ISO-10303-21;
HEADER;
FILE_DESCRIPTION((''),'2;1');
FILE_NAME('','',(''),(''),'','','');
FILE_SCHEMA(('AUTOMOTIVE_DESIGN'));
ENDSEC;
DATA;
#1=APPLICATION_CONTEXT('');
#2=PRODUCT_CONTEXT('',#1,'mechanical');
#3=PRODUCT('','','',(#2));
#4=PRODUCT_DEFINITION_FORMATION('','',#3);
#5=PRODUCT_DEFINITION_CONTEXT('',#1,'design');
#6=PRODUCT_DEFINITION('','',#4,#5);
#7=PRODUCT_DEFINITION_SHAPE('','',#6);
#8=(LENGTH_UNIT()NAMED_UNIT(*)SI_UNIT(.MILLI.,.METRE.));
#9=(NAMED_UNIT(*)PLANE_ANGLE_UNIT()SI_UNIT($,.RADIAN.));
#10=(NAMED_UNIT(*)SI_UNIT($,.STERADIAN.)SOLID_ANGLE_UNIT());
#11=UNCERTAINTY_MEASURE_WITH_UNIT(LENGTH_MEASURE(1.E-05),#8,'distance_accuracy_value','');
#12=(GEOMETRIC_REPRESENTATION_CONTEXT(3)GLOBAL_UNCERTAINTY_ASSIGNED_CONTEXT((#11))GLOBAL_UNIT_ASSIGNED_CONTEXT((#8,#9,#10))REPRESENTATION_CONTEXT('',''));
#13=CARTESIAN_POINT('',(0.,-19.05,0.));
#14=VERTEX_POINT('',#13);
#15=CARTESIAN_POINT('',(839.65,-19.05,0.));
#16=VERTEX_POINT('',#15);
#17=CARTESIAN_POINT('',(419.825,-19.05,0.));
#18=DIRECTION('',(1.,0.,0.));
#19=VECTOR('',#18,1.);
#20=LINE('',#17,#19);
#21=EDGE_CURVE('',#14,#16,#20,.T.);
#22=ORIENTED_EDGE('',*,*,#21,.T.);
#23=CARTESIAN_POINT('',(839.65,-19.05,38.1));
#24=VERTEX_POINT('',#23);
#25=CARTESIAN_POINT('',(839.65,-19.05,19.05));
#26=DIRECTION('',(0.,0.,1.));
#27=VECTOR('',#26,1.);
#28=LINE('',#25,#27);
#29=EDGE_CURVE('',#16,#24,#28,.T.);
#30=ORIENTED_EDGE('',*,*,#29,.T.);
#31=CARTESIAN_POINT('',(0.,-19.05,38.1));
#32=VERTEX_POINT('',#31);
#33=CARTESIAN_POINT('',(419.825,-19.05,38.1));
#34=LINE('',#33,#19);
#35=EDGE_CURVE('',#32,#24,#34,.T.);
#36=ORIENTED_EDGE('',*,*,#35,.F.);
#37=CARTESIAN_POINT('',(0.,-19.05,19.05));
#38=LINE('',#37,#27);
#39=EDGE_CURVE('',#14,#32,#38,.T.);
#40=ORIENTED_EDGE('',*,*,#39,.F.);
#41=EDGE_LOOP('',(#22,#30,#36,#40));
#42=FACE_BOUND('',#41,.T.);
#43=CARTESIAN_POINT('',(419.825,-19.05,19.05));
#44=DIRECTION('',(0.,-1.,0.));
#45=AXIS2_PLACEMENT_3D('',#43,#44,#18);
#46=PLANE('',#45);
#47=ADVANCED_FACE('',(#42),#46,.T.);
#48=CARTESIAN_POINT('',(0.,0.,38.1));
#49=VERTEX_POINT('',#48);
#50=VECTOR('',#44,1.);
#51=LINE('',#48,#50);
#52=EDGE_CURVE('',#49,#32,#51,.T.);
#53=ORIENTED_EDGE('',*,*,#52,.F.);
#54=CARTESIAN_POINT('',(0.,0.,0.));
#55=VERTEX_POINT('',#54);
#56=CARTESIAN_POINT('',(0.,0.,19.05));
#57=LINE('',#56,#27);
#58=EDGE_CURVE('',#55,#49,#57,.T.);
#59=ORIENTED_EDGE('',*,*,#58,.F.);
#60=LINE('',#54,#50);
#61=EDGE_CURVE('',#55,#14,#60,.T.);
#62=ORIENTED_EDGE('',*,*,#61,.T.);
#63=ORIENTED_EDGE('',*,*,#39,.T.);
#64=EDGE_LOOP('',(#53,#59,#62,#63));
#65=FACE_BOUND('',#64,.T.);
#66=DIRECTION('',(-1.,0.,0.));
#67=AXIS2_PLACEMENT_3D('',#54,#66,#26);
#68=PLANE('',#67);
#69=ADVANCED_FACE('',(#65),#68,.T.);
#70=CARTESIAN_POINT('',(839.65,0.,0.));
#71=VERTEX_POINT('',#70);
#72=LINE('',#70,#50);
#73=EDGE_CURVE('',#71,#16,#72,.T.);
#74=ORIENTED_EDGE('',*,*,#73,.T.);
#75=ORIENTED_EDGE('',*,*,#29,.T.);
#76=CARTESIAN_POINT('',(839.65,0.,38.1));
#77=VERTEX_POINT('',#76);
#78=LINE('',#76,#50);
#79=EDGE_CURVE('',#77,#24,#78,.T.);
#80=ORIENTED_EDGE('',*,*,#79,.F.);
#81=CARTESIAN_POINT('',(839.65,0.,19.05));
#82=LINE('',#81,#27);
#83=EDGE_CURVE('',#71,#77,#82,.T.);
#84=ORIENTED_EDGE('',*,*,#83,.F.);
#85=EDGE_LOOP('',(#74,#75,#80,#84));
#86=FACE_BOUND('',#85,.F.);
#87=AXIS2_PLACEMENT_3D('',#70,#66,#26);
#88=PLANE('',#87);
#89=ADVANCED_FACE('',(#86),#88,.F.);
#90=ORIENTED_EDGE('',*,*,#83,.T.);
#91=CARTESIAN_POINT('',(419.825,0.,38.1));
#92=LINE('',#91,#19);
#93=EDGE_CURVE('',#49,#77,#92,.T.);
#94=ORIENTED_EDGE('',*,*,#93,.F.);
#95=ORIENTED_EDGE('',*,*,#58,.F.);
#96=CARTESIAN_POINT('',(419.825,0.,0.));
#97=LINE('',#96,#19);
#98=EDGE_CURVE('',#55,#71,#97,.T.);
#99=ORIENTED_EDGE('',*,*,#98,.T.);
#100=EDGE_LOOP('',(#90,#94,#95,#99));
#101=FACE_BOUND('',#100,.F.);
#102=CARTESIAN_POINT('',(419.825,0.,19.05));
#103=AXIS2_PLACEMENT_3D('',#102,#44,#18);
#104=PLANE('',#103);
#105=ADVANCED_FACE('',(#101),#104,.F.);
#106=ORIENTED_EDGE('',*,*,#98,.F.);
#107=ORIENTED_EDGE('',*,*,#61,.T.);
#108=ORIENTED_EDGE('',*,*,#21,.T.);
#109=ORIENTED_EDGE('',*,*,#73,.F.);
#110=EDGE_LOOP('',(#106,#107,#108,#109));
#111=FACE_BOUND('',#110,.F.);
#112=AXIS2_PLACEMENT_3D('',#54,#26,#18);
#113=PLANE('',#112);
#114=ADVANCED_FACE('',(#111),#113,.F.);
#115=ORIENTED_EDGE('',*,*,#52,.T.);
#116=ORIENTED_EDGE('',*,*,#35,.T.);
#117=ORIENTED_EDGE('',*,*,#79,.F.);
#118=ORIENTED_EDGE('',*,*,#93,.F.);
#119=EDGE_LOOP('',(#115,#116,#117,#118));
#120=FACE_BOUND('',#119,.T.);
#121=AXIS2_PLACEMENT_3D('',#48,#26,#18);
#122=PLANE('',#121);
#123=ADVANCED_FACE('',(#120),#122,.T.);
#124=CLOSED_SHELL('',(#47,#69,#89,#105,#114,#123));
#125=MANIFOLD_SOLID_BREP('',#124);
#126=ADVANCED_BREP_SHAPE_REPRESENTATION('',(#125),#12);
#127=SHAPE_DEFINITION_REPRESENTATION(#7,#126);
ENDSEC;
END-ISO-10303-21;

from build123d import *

# Parameters (mm, degrees)
SKETCH_W  = 839.65
SKETCH_H  = 38.1
PAD_DEPTH = 19.05


with BuildPart() as part:
    # Sketch → Pad (new body)
    with BuildSketch(Plane.XZ):
        with Locations((419.825, 19.05)):
            Rectangle(SKETCH_W, SKETCH_H)
    extrude(amount=PAD_DEPTH)


solid = part.part
